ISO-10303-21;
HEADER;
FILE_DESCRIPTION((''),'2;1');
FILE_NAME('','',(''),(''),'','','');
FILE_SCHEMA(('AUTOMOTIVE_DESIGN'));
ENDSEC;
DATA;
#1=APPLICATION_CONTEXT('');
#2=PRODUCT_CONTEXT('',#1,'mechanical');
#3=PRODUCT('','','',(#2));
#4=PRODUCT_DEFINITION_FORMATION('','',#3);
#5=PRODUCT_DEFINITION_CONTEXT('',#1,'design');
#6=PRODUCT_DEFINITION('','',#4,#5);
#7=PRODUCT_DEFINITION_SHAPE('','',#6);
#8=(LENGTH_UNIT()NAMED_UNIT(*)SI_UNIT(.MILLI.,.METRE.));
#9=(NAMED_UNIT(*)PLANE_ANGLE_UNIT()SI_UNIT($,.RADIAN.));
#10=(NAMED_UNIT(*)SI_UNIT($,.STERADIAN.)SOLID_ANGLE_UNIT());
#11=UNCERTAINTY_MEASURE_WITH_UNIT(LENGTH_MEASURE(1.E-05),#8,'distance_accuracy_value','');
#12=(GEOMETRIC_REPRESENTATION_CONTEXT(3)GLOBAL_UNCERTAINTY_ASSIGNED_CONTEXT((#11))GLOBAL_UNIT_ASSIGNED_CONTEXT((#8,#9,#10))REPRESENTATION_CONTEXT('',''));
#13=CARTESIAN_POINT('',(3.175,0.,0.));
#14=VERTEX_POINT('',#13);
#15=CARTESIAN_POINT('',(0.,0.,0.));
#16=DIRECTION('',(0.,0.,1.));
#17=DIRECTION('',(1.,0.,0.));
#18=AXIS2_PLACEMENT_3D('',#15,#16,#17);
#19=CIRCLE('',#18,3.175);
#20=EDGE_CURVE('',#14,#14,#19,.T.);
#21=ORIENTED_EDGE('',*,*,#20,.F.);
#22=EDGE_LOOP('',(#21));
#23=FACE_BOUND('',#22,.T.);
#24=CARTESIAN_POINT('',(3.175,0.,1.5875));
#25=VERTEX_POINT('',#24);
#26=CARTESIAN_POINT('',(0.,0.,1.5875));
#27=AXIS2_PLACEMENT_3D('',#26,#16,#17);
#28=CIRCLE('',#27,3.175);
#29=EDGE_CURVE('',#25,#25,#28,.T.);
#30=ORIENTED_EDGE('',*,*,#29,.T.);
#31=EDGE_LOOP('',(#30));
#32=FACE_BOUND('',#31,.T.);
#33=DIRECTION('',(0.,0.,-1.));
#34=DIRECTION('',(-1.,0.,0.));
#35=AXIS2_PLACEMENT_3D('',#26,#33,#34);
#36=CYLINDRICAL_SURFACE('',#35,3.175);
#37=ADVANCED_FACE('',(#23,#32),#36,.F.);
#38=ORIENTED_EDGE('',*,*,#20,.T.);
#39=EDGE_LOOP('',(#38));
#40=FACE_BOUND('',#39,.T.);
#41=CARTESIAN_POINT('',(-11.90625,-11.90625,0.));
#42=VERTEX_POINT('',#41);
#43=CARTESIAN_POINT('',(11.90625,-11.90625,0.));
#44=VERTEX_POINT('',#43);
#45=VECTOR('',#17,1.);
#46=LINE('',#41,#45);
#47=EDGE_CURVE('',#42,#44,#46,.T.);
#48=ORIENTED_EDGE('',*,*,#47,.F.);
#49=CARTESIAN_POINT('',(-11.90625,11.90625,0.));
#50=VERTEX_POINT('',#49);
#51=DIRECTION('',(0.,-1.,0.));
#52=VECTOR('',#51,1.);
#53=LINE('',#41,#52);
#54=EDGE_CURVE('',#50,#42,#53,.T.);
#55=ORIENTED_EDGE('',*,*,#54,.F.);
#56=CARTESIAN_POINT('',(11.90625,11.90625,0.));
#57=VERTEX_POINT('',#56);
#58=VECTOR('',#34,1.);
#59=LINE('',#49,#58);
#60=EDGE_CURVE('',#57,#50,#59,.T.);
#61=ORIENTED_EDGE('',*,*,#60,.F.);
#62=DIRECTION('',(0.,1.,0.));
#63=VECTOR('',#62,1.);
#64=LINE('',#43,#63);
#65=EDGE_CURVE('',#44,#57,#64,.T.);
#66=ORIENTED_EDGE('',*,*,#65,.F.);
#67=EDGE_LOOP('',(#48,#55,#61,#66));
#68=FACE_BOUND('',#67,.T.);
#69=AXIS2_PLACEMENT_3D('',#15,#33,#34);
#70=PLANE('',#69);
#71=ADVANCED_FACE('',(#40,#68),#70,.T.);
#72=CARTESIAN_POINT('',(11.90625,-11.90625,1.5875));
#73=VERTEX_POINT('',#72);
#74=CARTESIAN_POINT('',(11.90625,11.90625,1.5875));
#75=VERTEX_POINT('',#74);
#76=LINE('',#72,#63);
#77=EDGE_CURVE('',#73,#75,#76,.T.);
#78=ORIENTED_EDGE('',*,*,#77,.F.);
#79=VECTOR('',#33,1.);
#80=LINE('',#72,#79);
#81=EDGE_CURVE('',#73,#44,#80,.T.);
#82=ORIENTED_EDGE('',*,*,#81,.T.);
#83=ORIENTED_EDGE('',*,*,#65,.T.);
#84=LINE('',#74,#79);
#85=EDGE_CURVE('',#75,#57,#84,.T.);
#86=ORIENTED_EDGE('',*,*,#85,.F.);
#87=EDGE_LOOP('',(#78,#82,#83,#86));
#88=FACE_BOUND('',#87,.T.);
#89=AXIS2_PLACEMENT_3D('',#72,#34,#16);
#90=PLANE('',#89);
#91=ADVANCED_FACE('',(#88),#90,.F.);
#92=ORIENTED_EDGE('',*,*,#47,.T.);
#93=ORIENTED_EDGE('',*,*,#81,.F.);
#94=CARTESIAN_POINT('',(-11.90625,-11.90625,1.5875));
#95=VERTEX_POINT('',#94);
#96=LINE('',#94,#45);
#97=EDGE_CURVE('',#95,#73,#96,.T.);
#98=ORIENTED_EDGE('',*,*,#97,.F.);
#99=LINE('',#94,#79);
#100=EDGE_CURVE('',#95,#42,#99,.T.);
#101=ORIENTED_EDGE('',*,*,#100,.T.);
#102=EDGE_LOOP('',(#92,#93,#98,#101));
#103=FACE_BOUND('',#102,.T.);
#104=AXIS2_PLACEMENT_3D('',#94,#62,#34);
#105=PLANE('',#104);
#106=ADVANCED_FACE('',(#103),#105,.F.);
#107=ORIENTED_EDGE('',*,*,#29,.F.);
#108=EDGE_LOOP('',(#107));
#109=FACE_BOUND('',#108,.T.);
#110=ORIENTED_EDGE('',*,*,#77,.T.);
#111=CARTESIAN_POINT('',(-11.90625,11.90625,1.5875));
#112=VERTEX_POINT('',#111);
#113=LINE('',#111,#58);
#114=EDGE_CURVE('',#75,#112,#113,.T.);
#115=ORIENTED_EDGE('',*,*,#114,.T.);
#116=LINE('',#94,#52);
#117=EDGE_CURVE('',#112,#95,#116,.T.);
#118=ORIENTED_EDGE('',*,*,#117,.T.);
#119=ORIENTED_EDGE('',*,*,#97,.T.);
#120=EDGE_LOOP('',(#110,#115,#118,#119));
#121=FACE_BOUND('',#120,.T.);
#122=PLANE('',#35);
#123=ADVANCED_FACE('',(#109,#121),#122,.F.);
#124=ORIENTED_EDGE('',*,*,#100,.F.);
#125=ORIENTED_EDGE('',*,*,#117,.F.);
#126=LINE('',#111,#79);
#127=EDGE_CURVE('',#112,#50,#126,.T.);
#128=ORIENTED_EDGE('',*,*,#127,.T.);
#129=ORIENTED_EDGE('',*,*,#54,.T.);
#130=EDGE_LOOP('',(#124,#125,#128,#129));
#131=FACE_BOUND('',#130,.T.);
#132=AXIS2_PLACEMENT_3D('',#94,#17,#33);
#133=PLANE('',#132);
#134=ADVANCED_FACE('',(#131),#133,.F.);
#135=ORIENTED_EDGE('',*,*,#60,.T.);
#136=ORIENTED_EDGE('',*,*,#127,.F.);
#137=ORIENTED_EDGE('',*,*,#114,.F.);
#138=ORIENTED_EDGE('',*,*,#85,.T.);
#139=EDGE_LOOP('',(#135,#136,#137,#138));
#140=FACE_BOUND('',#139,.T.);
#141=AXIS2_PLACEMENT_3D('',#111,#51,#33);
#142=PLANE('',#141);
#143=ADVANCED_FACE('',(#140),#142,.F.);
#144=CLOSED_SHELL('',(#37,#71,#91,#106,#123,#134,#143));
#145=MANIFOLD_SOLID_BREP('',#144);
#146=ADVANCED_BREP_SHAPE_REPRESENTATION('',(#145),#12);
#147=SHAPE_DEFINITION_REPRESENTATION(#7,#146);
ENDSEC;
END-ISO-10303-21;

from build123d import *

# Parameters (mm, degrees)
SKETCH1_W           = 23.8125
SKETCH1_H           = 23.8125
SKETCH1_R           = 3.175
BOSS_EXTRUDE1_DEPTH = 1.5875


with BuildPart() as part:
    # Sketch1 → Boss-Extrude1 (new body)
    with BuildSketch(Plane.XY):
        Rectangle(SKETCH1_W, SKETCH1_H)
        Circle(SKETCH1_R, mode=Mode.SUBTRACT)
    extrude(amount=BOSS_EXTRUDE1_DEPTH)


solid = part.part
